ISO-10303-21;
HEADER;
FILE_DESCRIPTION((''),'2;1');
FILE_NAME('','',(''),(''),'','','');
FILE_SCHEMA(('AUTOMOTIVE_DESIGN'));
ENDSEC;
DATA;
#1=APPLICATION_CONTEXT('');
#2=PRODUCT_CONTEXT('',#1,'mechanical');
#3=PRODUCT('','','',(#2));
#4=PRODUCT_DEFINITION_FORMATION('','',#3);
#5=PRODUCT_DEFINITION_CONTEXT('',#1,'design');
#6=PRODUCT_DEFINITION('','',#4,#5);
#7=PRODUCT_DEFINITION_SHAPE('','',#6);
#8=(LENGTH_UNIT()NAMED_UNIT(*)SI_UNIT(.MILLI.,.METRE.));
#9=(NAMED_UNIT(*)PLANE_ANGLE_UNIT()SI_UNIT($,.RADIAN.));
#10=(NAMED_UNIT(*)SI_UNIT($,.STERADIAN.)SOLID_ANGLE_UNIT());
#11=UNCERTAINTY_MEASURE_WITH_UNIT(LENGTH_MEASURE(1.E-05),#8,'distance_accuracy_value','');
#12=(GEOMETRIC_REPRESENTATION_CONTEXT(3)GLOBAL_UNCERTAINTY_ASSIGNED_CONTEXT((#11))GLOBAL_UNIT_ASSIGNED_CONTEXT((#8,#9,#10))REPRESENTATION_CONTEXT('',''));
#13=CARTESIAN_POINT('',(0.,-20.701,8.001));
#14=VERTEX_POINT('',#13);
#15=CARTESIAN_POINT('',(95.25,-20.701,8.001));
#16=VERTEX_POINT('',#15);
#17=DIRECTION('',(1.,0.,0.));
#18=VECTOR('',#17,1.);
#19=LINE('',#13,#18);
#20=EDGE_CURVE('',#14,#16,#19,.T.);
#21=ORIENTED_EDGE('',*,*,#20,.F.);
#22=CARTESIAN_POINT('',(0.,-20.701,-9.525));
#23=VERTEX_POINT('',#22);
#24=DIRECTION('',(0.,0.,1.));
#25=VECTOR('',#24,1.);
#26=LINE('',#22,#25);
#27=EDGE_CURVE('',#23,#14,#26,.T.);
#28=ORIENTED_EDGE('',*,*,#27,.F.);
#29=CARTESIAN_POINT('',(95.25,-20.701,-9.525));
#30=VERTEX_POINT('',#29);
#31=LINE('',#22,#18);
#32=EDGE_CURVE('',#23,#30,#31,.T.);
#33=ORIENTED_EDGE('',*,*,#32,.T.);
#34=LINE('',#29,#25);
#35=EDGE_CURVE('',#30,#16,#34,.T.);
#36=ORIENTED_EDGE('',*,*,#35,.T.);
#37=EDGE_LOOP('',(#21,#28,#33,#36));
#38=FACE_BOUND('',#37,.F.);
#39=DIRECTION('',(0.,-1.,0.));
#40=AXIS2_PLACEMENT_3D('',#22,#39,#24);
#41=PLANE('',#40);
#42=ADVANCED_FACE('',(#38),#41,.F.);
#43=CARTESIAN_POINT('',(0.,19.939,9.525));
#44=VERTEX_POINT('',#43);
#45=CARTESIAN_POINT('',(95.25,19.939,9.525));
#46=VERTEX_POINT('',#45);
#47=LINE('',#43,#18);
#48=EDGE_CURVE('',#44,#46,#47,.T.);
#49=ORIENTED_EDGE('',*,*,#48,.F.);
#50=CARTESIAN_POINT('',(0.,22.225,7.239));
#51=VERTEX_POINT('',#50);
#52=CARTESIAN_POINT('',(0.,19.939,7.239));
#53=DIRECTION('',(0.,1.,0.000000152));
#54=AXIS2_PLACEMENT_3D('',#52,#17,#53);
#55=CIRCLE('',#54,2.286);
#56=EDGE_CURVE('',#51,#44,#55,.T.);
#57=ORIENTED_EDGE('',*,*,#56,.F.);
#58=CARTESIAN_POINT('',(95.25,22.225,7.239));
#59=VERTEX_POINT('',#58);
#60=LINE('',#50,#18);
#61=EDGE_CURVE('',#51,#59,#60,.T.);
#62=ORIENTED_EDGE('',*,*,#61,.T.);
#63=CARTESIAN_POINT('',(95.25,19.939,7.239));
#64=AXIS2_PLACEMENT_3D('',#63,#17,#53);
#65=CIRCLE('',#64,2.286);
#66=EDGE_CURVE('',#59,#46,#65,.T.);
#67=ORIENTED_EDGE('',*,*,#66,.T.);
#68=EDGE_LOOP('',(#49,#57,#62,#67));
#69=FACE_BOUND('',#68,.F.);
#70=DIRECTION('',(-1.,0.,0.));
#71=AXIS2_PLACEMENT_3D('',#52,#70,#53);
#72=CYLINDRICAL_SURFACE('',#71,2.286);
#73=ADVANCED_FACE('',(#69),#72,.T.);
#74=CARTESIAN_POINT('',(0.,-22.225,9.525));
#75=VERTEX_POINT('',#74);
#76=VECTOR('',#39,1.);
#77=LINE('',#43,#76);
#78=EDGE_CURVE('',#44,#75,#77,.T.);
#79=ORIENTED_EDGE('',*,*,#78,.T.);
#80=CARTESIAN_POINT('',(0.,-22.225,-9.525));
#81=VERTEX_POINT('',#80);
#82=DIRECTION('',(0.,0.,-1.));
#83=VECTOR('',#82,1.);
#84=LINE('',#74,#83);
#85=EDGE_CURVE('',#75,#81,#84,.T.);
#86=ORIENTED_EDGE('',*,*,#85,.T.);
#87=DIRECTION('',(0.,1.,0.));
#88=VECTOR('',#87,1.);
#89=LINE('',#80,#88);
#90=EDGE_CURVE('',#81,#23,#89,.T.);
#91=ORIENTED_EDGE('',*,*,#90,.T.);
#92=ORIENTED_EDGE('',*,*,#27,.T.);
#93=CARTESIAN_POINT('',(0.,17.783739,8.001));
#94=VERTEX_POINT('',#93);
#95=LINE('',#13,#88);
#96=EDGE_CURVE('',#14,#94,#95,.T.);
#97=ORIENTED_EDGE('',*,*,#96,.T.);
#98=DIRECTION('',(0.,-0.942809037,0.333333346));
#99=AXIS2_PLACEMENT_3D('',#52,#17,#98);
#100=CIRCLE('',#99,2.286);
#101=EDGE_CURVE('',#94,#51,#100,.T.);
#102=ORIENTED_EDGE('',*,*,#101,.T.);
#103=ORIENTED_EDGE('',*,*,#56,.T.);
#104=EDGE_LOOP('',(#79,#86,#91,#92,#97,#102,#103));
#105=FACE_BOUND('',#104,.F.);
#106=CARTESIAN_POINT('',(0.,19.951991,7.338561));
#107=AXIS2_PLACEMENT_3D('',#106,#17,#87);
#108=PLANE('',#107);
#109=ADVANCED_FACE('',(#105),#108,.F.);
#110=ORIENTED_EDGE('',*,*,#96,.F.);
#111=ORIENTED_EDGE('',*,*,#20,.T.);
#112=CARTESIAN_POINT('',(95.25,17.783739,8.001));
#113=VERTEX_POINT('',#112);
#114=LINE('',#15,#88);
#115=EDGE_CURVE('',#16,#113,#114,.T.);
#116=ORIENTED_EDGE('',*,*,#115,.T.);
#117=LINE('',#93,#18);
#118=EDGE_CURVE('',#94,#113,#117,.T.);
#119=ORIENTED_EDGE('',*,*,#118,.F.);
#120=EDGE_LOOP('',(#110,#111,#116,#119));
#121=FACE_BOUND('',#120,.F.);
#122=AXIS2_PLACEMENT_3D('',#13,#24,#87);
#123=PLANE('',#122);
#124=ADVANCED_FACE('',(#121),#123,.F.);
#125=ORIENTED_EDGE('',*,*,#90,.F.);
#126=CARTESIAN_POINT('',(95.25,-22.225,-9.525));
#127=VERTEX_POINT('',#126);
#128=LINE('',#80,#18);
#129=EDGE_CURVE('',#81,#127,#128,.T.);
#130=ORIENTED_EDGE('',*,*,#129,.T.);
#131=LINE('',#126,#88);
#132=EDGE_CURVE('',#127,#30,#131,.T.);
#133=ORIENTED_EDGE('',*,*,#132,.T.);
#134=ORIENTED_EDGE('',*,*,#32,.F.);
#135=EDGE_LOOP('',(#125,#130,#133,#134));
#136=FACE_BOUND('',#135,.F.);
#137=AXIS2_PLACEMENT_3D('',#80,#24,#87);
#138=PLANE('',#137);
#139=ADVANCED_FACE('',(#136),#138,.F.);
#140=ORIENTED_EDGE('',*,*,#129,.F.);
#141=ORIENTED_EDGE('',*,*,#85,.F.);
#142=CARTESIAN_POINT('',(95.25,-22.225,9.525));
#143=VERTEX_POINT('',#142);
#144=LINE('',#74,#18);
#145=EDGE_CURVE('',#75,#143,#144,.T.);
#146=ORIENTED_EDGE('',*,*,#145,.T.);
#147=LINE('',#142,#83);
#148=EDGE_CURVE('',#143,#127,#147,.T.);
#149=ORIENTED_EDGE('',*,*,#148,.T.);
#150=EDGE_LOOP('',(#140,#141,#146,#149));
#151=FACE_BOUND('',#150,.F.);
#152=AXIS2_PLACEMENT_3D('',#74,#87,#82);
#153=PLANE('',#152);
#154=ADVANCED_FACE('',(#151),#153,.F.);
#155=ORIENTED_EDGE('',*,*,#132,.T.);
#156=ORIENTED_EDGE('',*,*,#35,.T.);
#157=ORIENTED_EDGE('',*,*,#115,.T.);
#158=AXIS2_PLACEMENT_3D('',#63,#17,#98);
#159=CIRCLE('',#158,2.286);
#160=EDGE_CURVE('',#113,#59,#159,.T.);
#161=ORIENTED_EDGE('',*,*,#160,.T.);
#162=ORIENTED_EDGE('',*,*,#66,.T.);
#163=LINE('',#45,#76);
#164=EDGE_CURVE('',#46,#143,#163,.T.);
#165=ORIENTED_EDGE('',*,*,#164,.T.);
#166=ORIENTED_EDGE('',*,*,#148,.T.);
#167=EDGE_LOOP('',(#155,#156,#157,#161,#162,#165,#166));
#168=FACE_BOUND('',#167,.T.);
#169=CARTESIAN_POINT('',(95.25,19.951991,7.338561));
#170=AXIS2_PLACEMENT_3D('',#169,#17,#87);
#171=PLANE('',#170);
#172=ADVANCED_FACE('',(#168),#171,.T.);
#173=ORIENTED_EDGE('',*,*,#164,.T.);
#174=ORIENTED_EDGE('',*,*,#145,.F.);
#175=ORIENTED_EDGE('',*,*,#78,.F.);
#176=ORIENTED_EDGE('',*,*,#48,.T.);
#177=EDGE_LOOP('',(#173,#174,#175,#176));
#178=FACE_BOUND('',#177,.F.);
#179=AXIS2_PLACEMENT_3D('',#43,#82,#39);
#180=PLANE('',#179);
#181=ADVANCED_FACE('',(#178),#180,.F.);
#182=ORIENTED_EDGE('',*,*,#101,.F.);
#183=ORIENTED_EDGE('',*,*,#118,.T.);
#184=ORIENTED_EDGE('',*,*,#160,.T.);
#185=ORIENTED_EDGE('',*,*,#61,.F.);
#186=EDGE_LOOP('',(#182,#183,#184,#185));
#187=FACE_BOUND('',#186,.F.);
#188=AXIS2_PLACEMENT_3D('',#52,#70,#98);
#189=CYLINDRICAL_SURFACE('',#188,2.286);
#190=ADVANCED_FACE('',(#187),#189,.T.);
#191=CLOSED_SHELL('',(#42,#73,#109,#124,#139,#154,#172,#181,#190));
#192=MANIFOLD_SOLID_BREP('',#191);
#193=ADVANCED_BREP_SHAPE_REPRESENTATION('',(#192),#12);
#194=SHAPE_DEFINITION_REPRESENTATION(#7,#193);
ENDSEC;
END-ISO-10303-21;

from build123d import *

# Parameters (mm, degrees)
F1_DEPTH = 95.25


with BuildPart() as f1:
    # F0 (on Right) → F1 (new body)
    with BuildSketch(Plane.YZ):
        with BuildLine():
            ThreePointArc((22.225, 7.239), (21.555446, 8.855446), (19.939, 9.525))
            ThreePointArc((19.939, 9.525), (18.619177, 9.105511), (17.783739, 8.001))
            ThreePointArc((17.783739, 8.001), (19.552433, 4.985922), (22.225, 7.239))
        make_face()
        with BuildLine():
            ThreePointArc((17.783739, 8.001), (18.619177, 9.105511), (19.939, 9.525))
            Line((19.939, 9.525), (-22.225, 9.525))
            Line((-22.225, 9.525), (-22.225, -9.525))
            Line((-22.225, -9.525), (-20.701, -9.525))
            Line((-20.701, -9.525), (-20.701, 8.001))
            Line((-20.701, 8.001), (17.783739, 8.001))
        make_face()
    extrude(amount=F1_DEPTH)


solid = f1.part
